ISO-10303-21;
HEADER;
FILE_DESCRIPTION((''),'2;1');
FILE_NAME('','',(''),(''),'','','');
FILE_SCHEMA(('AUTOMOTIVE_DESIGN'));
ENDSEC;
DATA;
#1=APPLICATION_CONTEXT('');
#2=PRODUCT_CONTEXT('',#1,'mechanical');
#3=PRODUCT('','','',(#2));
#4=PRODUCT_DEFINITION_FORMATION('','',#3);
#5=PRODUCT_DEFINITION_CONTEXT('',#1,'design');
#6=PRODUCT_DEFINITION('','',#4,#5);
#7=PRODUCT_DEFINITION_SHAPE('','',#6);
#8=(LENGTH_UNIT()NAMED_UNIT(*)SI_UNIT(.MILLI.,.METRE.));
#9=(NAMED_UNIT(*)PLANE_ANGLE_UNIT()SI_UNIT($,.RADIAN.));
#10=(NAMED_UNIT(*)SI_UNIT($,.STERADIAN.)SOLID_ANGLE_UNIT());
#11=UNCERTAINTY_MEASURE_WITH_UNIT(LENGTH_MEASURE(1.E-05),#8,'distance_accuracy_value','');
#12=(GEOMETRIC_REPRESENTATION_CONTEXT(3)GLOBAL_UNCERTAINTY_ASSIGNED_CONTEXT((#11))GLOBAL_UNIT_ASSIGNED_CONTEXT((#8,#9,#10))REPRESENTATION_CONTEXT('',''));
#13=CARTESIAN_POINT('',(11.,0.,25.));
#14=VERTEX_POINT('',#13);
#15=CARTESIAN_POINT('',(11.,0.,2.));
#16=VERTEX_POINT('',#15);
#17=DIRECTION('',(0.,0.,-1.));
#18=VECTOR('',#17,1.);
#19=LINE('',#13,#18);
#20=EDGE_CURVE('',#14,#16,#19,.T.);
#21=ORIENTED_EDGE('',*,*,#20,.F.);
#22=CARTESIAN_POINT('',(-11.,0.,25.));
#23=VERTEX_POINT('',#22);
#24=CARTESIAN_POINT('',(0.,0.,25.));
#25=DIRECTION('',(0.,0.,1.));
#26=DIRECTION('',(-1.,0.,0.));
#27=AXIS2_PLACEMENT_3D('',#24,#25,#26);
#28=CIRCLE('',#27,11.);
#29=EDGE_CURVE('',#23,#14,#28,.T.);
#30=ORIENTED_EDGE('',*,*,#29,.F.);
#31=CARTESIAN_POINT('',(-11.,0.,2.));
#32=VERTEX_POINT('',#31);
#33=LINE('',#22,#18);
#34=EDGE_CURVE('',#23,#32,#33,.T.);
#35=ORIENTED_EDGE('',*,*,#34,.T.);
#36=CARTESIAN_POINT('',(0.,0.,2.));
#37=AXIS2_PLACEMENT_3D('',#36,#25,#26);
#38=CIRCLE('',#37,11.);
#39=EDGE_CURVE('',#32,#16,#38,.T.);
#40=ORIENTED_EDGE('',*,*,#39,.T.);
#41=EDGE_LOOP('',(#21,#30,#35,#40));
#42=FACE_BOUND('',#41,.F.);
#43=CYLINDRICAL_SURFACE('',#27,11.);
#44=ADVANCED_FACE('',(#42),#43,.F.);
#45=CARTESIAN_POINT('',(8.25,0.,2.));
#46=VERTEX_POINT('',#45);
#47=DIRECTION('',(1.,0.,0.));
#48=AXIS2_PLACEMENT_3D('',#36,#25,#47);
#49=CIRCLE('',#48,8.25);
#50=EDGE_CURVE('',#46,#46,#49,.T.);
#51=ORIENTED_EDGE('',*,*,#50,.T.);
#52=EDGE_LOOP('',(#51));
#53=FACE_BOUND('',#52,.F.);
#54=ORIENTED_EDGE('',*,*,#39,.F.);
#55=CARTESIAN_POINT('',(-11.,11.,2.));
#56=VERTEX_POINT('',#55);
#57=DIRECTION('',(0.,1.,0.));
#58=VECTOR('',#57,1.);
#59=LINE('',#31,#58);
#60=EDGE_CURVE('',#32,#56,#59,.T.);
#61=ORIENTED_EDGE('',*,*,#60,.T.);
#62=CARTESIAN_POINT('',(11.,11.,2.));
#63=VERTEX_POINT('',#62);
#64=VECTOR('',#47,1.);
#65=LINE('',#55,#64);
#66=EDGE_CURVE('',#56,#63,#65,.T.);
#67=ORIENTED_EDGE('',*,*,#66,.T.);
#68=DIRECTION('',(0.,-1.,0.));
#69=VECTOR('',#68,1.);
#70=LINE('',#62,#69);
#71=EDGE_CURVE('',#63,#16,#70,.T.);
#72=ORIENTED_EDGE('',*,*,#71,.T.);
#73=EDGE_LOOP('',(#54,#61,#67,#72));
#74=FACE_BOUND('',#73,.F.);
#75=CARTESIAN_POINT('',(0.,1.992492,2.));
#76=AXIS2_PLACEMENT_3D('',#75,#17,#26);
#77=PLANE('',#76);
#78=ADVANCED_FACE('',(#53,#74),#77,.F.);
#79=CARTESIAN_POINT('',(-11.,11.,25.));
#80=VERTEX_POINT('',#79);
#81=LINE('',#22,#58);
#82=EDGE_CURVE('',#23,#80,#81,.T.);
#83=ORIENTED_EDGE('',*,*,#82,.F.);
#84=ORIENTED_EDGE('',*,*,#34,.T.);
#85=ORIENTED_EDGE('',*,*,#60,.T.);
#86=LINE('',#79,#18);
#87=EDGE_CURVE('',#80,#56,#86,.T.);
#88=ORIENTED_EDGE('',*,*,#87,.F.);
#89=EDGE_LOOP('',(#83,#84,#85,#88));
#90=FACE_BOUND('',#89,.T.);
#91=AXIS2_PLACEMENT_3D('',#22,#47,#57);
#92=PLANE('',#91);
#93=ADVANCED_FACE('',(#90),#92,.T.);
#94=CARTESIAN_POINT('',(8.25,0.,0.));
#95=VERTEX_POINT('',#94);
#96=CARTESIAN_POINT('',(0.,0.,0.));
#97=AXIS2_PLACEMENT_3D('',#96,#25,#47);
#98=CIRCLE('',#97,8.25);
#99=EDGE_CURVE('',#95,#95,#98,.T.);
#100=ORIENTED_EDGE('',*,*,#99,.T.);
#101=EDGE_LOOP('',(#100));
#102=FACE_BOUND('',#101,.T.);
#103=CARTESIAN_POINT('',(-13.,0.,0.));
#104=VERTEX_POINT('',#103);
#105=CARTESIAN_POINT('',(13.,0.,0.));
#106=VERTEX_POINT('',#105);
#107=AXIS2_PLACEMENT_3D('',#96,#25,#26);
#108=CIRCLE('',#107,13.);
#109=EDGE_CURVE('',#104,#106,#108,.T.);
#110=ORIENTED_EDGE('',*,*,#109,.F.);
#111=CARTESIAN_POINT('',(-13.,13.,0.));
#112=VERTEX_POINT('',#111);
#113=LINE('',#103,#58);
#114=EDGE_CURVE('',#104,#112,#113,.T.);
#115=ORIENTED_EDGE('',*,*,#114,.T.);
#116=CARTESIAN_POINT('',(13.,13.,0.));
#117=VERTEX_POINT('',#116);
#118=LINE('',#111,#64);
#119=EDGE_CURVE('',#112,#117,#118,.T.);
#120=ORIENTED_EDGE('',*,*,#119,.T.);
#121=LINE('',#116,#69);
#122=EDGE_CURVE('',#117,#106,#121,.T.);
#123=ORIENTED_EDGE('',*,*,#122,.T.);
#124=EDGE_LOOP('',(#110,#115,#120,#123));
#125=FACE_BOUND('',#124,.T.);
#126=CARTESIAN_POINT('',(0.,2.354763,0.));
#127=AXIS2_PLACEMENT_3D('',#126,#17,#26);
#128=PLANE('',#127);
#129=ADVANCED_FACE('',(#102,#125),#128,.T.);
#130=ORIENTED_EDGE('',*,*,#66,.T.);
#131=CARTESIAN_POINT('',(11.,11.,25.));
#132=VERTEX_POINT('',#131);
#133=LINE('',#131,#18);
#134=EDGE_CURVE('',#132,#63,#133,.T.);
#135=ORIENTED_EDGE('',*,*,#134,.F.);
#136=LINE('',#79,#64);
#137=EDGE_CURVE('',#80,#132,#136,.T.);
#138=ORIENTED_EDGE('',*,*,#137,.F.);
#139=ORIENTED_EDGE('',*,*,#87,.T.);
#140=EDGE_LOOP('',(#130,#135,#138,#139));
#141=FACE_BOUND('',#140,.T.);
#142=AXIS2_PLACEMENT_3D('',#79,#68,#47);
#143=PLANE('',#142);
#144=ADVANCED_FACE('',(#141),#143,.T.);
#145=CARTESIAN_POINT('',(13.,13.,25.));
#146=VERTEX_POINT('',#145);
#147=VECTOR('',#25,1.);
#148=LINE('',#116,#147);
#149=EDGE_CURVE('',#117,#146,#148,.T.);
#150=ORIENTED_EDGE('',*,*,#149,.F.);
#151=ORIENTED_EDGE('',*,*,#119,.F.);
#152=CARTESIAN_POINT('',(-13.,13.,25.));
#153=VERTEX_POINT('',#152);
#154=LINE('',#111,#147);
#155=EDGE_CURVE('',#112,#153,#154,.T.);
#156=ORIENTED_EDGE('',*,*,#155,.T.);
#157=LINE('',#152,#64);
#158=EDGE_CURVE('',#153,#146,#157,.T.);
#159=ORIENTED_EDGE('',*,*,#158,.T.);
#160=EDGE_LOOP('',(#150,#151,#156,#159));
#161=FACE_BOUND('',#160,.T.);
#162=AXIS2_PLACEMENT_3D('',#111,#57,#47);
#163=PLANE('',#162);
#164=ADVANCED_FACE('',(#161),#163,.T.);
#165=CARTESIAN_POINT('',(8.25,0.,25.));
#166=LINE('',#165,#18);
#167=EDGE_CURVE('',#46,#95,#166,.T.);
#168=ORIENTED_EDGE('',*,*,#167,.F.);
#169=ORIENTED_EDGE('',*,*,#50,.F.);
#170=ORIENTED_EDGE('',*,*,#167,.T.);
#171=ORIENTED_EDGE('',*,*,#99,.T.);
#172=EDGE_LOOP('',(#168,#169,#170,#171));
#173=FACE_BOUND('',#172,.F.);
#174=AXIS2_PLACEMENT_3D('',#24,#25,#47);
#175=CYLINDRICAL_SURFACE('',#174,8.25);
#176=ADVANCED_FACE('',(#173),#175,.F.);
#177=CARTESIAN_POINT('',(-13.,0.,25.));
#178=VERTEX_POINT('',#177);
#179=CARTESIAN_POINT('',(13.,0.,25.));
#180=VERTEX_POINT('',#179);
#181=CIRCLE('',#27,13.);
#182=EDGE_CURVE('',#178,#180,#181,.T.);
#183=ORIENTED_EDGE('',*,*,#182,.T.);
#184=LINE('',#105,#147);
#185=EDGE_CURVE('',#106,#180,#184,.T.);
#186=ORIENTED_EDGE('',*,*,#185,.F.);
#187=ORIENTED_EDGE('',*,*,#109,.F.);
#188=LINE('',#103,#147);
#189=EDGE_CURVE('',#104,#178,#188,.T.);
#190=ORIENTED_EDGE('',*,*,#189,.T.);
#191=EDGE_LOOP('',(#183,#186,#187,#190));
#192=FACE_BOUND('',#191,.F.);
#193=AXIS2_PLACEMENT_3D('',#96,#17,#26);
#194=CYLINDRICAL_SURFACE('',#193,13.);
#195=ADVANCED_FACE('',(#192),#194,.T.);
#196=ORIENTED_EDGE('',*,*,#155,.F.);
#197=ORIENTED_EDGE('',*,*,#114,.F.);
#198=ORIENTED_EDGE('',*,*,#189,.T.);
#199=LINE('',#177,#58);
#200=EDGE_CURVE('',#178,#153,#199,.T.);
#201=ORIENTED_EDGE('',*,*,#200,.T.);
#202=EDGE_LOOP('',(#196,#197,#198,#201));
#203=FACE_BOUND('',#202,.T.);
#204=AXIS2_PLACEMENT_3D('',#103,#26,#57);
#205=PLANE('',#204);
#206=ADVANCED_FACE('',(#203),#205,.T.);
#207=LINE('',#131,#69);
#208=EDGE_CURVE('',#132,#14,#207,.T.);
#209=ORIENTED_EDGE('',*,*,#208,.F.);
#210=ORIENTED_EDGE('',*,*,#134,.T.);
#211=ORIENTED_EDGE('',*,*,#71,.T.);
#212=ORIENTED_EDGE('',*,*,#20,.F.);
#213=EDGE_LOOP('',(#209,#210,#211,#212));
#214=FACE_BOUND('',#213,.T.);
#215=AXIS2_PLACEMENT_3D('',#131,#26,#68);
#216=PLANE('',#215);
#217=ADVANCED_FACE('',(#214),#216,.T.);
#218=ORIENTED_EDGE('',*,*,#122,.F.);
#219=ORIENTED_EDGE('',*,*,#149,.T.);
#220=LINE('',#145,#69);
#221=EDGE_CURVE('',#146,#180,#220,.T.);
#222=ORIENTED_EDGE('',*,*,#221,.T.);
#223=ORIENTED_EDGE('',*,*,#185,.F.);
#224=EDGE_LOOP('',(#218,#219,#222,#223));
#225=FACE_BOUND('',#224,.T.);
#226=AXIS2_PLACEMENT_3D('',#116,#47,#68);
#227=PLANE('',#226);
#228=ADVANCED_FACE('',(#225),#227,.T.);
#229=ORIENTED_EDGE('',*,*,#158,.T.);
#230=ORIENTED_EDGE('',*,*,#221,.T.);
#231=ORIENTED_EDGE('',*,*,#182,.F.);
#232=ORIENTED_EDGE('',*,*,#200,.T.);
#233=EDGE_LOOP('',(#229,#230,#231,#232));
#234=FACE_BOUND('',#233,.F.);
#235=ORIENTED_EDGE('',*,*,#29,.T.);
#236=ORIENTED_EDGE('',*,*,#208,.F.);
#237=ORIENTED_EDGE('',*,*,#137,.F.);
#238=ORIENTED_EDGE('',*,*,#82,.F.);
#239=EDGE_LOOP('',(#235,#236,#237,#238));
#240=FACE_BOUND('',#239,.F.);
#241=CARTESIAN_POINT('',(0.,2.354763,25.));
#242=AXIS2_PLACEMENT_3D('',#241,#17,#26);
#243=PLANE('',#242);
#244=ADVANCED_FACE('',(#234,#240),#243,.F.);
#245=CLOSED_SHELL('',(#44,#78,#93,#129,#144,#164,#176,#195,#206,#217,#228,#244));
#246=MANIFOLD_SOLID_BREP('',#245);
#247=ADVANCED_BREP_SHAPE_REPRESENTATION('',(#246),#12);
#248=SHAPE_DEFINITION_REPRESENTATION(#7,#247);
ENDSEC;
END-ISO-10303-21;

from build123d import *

# Parameters (mm, degrees)
PAD_DEPTH       = 25
POCKET_DEPTH    = 23
SKETCH002_R     = 8.25
POCKET001_DEPTH = 25


with BuildPart() as part:
    # Sketch → Pad (new body)
    with BuildSketch(Plane.XY):
        with BuildLine():
            Line((-13, 0), (-13, 13))
            Line((-13, 13), (13, 13))
            Line((13, 13), (13, 0))
            ThreePointArc((-13, 0), (0, -13), (13, 0))
        make_face()
    extrude(amount=PAD_DEPTH)

    # Sketch001 (on DatumPlane) → Pocket (cut)
    with BuildSketch(Plane.XY.offset(25)):
        with BuildLine():
            Line((-11, 0), (-11, 11))
            Line((-11, 11), (11, 11))
            Line((11, 11), (11, 0))
            ThreePointArc((-11, 0), (0, -11), (11, 0))
        make_face()
    extrude(amount=-POCKET_DEPTH, mode=Mode.SUBTRACT)

    # Sketch002 (on DatumPlane) → Pocket001 (cut)
    with BuildSketch(Plane.XY.offset(25)):
        Circle(SKETCH002_R)
    extrude(amount=-POCKET001_DEPTH, mode=Mode.SUBTRACT)


solid = part.part
